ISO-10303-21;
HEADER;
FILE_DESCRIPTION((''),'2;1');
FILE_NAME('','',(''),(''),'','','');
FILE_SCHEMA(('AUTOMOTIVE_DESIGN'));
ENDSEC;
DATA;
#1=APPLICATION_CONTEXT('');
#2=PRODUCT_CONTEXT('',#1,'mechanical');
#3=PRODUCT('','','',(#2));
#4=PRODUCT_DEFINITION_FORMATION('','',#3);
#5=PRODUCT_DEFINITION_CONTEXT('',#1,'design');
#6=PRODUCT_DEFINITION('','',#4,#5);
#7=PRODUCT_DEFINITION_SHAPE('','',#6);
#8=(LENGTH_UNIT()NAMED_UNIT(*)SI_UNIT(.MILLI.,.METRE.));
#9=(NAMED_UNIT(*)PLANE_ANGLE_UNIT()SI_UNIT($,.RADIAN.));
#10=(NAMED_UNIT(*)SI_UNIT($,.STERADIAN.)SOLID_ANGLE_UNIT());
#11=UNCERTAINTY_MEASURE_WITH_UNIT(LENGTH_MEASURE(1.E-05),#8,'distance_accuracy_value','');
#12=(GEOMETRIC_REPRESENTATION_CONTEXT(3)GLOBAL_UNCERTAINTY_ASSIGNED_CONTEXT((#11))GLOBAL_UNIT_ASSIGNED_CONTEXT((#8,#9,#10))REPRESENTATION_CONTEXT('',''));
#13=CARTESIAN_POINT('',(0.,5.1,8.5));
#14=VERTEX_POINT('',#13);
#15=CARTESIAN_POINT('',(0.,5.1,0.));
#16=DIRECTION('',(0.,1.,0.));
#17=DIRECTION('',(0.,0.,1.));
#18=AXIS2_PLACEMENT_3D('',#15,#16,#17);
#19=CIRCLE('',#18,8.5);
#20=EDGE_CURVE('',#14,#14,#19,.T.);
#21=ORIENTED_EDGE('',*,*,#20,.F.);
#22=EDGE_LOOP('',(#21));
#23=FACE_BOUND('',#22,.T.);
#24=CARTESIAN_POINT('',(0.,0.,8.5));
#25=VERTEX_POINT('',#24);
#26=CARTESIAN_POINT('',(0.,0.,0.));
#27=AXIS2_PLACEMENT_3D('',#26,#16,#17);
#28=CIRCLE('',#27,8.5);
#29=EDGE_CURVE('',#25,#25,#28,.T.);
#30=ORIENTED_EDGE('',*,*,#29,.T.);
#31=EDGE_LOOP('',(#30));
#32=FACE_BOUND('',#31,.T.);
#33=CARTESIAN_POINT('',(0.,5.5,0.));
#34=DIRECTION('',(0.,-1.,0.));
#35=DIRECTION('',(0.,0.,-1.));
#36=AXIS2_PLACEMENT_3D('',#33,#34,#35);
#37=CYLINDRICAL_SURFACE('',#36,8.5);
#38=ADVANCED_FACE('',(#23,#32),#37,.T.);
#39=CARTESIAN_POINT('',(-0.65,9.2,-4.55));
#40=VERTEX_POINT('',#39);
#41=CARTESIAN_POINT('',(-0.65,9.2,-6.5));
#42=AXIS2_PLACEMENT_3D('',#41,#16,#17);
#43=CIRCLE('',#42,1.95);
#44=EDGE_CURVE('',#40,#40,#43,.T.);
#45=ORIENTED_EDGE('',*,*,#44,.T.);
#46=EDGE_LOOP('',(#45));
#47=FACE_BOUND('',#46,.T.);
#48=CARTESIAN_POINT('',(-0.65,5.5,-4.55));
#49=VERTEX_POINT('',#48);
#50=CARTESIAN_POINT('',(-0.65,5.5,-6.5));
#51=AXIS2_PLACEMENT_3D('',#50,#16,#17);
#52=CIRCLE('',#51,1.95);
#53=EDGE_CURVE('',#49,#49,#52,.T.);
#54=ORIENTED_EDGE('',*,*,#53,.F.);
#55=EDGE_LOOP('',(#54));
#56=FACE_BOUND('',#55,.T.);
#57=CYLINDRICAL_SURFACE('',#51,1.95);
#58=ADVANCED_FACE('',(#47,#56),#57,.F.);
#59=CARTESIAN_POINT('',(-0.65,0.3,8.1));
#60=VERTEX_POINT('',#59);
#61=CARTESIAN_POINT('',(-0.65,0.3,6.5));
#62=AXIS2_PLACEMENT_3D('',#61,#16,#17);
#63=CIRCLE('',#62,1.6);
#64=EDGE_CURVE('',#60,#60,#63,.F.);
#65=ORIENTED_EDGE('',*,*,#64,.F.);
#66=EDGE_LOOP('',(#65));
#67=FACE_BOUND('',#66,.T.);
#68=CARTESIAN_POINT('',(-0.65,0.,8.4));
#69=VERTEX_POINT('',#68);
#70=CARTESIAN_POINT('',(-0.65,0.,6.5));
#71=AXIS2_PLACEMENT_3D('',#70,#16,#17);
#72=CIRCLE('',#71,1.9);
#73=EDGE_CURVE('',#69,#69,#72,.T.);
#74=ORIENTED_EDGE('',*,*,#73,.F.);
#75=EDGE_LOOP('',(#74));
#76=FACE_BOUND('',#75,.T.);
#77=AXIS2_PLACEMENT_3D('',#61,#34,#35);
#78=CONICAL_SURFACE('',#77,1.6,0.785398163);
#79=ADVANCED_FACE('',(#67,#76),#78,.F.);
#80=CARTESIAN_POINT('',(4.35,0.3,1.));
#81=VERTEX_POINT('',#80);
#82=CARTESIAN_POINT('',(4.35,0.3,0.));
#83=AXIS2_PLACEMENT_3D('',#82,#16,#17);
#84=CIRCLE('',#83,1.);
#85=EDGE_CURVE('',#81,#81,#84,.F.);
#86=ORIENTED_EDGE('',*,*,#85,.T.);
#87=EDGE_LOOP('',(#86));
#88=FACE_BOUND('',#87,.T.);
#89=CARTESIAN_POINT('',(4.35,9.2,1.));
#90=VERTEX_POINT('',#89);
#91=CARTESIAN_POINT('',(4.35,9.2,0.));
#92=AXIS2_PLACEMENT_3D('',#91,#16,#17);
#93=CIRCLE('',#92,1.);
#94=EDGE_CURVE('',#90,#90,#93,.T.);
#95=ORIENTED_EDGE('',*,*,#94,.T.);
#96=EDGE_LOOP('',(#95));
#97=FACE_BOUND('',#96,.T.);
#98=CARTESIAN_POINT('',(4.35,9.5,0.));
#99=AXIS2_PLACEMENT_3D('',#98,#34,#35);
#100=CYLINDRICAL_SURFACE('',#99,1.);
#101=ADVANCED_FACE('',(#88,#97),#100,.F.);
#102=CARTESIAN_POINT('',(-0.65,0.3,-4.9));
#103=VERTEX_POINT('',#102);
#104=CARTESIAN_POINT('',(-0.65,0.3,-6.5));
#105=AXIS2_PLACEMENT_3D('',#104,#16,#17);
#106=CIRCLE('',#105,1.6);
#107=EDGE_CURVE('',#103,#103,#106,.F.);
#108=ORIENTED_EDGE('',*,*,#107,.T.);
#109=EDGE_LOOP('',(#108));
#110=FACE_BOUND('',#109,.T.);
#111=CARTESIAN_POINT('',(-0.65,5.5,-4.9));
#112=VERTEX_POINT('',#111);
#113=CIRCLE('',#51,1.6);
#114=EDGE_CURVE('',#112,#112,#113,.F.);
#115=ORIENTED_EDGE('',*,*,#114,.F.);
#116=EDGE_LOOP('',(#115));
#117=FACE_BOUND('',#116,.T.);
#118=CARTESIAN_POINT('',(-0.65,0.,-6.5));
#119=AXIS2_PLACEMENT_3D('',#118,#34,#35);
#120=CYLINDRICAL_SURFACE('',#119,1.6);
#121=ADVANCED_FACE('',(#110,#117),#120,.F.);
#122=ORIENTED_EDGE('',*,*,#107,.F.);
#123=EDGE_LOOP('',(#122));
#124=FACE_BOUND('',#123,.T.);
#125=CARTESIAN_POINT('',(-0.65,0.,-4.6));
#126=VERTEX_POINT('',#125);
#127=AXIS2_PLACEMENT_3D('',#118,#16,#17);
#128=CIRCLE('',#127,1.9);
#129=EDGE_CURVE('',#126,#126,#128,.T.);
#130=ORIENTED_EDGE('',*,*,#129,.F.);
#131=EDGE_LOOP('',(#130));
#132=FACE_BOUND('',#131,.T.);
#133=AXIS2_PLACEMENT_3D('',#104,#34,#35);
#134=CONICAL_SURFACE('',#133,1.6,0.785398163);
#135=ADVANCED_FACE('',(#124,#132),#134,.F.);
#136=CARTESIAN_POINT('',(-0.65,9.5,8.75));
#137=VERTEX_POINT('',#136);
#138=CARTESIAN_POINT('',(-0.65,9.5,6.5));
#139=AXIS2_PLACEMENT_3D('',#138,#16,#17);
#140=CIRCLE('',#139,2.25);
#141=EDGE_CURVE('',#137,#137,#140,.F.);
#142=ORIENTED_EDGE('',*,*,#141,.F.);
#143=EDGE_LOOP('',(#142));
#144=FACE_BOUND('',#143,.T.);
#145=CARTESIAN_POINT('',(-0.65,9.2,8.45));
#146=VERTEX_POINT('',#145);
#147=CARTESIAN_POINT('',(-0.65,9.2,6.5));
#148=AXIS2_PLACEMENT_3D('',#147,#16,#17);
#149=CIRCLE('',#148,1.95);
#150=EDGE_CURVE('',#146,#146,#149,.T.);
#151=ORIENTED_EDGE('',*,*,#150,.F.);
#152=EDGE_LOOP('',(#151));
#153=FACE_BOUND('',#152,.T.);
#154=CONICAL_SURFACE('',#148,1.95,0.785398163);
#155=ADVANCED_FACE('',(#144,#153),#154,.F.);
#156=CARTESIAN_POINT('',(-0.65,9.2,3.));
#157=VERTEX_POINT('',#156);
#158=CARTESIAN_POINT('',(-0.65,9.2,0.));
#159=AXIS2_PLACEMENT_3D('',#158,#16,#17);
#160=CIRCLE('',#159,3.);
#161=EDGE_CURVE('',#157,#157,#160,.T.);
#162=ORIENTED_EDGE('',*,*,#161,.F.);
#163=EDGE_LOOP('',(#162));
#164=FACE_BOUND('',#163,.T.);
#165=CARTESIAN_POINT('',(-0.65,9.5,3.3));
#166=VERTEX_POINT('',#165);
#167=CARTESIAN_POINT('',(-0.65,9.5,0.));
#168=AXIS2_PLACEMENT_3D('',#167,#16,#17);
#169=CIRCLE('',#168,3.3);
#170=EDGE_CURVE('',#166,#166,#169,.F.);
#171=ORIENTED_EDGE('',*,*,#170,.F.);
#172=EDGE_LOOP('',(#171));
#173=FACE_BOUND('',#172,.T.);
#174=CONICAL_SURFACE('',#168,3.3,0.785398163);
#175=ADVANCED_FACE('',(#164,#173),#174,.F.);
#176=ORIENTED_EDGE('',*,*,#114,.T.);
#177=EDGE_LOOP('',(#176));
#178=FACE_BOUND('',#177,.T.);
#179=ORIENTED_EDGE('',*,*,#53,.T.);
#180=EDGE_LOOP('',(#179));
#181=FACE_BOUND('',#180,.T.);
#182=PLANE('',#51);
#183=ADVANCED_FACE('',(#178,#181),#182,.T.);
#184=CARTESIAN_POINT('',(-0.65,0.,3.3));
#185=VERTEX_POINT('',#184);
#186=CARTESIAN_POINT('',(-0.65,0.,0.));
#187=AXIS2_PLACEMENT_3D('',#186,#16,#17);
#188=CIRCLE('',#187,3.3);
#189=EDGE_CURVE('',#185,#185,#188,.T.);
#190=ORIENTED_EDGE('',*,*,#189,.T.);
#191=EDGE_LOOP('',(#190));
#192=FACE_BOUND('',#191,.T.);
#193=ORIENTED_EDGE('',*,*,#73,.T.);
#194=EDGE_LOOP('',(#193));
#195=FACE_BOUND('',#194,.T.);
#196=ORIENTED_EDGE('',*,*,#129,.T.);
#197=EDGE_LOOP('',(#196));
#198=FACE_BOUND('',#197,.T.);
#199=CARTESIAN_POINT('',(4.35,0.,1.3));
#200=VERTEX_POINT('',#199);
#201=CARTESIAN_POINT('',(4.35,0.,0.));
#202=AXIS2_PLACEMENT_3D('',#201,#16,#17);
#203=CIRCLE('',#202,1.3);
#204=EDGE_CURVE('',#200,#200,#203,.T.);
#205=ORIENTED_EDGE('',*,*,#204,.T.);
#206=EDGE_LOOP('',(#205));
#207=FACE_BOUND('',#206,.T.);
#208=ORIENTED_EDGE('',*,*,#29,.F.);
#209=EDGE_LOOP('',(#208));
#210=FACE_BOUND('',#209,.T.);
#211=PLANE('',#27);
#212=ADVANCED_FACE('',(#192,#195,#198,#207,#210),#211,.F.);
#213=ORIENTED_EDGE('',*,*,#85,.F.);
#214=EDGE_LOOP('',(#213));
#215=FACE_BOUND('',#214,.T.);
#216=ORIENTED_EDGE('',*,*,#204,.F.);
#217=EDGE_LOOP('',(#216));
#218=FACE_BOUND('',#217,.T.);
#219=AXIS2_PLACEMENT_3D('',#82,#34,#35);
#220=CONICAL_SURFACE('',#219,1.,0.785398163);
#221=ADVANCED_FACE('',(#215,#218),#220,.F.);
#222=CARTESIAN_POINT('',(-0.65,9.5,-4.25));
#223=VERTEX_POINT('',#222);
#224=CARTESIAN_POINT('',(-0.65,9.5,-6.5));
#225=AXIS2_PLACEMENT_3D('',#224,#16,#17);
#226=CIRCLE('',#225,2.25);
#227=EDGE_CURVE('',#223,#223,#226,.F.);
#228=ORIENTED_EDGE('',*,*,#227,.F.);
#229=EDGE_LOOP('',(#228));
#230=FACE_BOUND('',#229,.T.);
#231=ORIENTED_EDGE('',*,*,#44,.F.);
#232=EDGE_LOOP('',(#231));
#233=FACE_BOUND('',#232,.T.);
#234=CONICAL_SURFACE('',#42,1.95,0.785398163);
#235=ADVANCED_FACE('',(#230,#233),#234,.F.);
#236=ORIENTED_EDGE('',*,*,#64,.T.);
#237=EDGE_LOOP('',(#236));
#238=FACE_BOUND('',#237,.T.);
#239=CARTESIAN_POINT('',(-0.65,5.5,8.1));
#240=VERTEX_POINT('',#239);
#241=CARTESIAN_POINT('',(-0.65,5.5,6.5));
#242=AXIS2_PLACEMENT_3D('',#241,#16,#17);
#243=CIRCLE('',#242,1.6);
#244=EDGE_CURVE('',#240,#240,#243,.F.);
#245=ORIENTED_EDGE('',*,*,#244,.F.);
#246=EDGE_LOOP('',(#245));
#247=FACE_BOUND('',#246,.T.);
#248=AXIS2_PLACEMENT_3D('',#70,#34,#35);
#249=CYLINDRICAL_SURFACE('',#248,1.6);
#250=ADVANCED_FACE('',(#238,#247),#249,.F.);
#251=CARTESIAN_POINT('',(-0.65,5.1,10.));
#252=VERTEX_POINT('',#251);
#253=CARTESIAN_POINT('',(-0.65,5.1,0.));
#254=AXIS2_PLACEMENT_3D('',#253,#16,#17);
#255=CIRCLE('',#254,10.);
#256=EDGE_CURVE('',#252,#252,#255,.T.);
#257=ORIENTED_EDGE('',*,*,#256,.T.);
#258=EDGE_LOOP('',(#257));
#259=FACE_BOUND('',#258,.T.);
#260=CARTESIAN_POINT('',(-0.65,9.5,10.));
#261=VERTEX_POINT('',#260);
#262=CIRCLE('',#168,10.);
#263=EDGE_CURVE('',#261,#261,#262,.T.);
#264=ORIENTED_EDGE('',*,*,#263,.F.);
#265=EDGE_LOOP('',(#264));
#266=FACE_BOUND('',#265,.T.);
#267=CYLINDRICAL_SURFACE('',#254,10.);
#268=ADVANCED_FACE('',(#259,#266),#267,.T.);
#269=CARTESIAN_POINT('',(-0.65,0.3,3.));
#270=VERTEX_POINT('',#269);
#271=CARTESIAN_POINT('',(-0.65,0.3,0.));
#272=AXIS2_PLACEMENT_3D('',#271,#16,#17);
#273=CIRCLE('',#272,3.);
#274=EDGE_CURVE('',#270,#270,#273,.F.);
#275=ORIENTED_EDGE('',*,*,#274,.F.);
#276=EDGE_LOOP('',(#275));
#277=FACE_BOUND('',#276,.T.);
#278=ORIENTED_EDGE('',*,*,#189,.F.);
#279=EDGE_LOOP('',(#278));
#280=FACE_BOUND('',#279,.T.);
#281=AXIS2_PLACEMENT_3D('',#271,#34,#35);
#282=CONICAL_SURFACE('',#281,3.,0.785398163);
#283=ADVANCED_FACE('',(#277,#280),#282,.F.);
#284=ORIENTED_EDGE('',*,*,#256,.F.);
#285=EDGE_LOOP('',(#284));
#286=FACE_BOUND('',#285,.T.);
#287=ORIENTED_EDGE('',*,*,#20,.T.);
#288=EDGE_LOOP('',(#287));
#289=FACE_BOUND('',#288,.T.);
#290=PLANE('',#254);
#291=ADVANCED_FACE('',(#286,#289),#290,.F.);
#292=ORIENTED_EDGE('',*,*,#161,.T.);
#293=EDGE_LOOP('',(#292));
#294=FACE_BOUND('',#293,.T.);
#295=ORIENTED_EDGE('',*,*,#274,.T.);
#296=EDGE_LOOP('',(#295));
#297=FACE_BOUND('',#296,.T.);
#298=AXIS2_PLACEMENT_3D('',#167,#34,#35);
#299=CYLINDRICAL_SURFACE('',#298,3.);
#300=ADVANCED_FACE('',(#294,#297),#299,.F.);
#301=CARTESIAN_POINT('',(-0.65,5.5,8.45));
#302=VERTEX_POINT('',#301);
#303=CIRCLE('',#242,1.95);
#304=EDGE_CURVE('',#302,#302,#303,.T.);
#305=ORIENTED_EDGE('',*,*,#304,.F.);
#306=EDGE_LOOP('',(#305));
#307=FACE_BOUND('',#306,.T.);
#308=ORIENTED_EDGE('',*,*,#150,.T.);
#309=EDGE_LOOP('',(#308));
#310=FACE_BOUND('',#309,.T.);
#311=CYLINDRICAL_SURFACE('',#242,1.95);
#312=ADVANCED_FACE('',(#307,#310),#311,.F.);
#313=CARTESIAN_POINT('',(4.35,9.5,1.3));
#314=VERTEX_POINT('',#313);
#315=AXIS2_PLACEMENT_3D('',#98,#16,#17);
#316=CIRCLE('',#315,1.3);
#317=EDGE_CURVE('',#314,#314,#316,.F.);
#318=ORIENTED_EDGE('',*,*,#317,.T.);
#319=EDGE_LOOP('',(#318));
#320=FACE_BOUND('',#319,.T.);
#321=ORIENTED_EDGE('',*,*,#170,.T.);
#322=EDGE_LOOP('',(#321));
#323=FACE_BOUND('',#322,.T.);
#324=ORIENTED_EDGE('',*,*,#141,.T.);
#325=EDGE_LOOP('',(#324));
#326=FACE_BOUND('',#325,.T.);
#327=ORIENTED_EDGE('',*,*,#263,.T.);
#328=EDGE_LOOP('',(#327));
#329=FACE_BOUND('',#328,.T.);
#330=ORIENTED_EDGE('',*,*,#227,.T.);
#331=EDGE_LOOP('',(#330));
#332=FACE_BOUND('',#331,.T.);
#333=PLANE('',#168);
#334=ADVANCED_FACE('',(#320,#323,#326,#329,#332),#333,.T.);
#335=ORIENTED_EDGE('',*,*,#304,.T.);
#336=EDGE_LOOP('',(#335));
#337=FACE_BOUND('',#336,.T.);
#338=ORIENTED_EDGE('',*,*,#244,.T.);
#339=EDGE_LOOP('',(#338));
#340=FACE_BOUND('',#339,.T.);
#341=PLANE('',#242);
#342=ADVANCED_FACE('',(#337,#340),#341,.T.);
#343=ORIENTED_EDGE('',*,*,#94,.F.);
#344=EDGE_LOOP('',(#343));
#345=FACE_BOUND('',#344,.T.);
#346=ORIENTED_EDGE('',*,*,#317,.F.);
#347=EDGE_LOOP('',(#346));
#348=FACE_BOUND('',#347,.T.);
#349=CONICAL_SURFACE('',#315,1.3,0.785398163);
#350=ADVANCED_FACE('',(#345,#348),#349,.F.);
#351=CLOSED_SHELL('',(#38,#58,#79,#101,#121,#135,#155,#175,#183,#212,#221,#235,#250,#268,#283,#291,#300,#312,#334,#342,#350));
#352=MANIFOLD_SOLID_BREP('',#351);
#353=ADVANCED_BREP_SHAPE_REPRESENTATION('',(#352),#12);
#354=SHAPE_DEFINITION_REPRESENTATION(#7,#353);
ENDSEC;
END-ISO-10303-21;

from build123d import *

# Parameters (mm, degrees)
SKETCH1_R                  = 8.5
BOSS_EXTRUDE1_DEPTH        = 5.5
BOSS_EXTRUDE2_DEPTH        = 4
BOSS_EXTRUDE2_DEPTH_BACK   = 0.4
SKETCH2_R                  = 10
SKETCH3_R                  = 3
CUT_EXTRUDE1_DEPTH         = 18.426201537
SKETCH6_R                  = 1
CUT_EXTRUDE4_DEPTH         = 18.426201537
F_3_2_3_2_DIAMETER_HOLE1_D = 3.2
SKETCH10_R                 = 1.95
CUT_EXTRUDE5_DEPTH         = 4
CHAMFER1_SIZE              = 0.3


with BuildPart() as part:
    # Sketch1 → Boss-Extrude1 (new body)
    with BuildSketch(Plane(origin=(0, 0, 0), x_dir=(1, 0, 0), z_dir=(0, 1, 0))):
        with Locations(Location((0, 0, 0), (0, 0, 270))):
            Circle(SKETCH1_R)
    extrude(amount=BOSS_EXTRUDE1_DEPTH)

    # Sketch2 → Boss-Extrude2 (add, two sides: drawn at the far end of the back side and taken through both)
    with BuildSketch(Plane(origin=(0, 5.5, 0), x_dir=(1, 0, 0), z_dir=(0, 1, 0)).offset(-BOSS_EXTRUDE2_DEPTH_BACK)):
        with Locations(Location((-0.65, 0, 0), (0, 0, 270))):
            Circle(SKETCH2_R)
    extrude(amount=BOSS_EXTRUDE2_DEPTH + BOSS_EXTRUDE2_DEPTH_BACK)

    # Sketch3 → Cut-Extrude1 (cut, through all)
    with BuildSketch(Plane.XZ):
        with Locations(Location((-0.65, 0, 0), (0, 0, 270))):
            Circle(SKETCH3_R)
    extrude(amount=-CUT_EXTRUDE1_DEPTH, mode=Mode.SUBTRACT)

    # Sketch6 → Cut-Extrude4 (cut, through all)
    with BuildSketch(Plane.XZ):
        with Locations(Location((4.35, 0, 0), (0, 0, 270))):
            Circle(SKETCH6_R)
    extrude(amount=-CUT_EXTRUDE4_DEPTH, mode=Mode.SUBTRACT)

    # Ø3.2 (3.2) Diameter Hole1 (through all)
    with Locations(Plane(origin=(0, 0, 0), x_dir=(-1, 0, 0), z_dir=(0, -1, 0))):
        with Locations((0.65, 6.5), (0.65, -6.5)):
            Hole(F_3_2_3_2_DIAMETER_HOLE1_D / 2)

    # Sketch10 → Cut-Extrude5 (cut)
    with BuildSketch(Plane(origin=(0, 9.5, 0), x_dir=(1, 0, 0), z_dir=(0, 1, 0))):
        with Locations(Location((-0.65, 6.5, 0), (0, 0, 270))):
            Circle(SKETCH10_R)
        with Locations(Location((-0.65, -6.5, 0), (0, 0, 270))):
            Circle(SKETCH10_R)
    extrude(amount=-CUT_EXTRUDE5_DEPTH, mode=Mode.SUBTRACT)

    # Chamfer1
    chamfer1_edges = [part.edges().sort_by_distance(p)[0] for p in [
        (-0.65, 9.5, 3),
        (-0.65, 0, 3),
        (4.35, 9.5, 1),
        (4.35, 0, 1),
        (-2.25, 0, 6.5),
        (-2.25, 0, -6.5),
        (-0.65, 9.5, -8.45),
        (-0.65, 9.5, 4.55),
    ]]
    chamfer(chamfer1_edges, length=CHAMFER1_SIZE)


solid = part.part
